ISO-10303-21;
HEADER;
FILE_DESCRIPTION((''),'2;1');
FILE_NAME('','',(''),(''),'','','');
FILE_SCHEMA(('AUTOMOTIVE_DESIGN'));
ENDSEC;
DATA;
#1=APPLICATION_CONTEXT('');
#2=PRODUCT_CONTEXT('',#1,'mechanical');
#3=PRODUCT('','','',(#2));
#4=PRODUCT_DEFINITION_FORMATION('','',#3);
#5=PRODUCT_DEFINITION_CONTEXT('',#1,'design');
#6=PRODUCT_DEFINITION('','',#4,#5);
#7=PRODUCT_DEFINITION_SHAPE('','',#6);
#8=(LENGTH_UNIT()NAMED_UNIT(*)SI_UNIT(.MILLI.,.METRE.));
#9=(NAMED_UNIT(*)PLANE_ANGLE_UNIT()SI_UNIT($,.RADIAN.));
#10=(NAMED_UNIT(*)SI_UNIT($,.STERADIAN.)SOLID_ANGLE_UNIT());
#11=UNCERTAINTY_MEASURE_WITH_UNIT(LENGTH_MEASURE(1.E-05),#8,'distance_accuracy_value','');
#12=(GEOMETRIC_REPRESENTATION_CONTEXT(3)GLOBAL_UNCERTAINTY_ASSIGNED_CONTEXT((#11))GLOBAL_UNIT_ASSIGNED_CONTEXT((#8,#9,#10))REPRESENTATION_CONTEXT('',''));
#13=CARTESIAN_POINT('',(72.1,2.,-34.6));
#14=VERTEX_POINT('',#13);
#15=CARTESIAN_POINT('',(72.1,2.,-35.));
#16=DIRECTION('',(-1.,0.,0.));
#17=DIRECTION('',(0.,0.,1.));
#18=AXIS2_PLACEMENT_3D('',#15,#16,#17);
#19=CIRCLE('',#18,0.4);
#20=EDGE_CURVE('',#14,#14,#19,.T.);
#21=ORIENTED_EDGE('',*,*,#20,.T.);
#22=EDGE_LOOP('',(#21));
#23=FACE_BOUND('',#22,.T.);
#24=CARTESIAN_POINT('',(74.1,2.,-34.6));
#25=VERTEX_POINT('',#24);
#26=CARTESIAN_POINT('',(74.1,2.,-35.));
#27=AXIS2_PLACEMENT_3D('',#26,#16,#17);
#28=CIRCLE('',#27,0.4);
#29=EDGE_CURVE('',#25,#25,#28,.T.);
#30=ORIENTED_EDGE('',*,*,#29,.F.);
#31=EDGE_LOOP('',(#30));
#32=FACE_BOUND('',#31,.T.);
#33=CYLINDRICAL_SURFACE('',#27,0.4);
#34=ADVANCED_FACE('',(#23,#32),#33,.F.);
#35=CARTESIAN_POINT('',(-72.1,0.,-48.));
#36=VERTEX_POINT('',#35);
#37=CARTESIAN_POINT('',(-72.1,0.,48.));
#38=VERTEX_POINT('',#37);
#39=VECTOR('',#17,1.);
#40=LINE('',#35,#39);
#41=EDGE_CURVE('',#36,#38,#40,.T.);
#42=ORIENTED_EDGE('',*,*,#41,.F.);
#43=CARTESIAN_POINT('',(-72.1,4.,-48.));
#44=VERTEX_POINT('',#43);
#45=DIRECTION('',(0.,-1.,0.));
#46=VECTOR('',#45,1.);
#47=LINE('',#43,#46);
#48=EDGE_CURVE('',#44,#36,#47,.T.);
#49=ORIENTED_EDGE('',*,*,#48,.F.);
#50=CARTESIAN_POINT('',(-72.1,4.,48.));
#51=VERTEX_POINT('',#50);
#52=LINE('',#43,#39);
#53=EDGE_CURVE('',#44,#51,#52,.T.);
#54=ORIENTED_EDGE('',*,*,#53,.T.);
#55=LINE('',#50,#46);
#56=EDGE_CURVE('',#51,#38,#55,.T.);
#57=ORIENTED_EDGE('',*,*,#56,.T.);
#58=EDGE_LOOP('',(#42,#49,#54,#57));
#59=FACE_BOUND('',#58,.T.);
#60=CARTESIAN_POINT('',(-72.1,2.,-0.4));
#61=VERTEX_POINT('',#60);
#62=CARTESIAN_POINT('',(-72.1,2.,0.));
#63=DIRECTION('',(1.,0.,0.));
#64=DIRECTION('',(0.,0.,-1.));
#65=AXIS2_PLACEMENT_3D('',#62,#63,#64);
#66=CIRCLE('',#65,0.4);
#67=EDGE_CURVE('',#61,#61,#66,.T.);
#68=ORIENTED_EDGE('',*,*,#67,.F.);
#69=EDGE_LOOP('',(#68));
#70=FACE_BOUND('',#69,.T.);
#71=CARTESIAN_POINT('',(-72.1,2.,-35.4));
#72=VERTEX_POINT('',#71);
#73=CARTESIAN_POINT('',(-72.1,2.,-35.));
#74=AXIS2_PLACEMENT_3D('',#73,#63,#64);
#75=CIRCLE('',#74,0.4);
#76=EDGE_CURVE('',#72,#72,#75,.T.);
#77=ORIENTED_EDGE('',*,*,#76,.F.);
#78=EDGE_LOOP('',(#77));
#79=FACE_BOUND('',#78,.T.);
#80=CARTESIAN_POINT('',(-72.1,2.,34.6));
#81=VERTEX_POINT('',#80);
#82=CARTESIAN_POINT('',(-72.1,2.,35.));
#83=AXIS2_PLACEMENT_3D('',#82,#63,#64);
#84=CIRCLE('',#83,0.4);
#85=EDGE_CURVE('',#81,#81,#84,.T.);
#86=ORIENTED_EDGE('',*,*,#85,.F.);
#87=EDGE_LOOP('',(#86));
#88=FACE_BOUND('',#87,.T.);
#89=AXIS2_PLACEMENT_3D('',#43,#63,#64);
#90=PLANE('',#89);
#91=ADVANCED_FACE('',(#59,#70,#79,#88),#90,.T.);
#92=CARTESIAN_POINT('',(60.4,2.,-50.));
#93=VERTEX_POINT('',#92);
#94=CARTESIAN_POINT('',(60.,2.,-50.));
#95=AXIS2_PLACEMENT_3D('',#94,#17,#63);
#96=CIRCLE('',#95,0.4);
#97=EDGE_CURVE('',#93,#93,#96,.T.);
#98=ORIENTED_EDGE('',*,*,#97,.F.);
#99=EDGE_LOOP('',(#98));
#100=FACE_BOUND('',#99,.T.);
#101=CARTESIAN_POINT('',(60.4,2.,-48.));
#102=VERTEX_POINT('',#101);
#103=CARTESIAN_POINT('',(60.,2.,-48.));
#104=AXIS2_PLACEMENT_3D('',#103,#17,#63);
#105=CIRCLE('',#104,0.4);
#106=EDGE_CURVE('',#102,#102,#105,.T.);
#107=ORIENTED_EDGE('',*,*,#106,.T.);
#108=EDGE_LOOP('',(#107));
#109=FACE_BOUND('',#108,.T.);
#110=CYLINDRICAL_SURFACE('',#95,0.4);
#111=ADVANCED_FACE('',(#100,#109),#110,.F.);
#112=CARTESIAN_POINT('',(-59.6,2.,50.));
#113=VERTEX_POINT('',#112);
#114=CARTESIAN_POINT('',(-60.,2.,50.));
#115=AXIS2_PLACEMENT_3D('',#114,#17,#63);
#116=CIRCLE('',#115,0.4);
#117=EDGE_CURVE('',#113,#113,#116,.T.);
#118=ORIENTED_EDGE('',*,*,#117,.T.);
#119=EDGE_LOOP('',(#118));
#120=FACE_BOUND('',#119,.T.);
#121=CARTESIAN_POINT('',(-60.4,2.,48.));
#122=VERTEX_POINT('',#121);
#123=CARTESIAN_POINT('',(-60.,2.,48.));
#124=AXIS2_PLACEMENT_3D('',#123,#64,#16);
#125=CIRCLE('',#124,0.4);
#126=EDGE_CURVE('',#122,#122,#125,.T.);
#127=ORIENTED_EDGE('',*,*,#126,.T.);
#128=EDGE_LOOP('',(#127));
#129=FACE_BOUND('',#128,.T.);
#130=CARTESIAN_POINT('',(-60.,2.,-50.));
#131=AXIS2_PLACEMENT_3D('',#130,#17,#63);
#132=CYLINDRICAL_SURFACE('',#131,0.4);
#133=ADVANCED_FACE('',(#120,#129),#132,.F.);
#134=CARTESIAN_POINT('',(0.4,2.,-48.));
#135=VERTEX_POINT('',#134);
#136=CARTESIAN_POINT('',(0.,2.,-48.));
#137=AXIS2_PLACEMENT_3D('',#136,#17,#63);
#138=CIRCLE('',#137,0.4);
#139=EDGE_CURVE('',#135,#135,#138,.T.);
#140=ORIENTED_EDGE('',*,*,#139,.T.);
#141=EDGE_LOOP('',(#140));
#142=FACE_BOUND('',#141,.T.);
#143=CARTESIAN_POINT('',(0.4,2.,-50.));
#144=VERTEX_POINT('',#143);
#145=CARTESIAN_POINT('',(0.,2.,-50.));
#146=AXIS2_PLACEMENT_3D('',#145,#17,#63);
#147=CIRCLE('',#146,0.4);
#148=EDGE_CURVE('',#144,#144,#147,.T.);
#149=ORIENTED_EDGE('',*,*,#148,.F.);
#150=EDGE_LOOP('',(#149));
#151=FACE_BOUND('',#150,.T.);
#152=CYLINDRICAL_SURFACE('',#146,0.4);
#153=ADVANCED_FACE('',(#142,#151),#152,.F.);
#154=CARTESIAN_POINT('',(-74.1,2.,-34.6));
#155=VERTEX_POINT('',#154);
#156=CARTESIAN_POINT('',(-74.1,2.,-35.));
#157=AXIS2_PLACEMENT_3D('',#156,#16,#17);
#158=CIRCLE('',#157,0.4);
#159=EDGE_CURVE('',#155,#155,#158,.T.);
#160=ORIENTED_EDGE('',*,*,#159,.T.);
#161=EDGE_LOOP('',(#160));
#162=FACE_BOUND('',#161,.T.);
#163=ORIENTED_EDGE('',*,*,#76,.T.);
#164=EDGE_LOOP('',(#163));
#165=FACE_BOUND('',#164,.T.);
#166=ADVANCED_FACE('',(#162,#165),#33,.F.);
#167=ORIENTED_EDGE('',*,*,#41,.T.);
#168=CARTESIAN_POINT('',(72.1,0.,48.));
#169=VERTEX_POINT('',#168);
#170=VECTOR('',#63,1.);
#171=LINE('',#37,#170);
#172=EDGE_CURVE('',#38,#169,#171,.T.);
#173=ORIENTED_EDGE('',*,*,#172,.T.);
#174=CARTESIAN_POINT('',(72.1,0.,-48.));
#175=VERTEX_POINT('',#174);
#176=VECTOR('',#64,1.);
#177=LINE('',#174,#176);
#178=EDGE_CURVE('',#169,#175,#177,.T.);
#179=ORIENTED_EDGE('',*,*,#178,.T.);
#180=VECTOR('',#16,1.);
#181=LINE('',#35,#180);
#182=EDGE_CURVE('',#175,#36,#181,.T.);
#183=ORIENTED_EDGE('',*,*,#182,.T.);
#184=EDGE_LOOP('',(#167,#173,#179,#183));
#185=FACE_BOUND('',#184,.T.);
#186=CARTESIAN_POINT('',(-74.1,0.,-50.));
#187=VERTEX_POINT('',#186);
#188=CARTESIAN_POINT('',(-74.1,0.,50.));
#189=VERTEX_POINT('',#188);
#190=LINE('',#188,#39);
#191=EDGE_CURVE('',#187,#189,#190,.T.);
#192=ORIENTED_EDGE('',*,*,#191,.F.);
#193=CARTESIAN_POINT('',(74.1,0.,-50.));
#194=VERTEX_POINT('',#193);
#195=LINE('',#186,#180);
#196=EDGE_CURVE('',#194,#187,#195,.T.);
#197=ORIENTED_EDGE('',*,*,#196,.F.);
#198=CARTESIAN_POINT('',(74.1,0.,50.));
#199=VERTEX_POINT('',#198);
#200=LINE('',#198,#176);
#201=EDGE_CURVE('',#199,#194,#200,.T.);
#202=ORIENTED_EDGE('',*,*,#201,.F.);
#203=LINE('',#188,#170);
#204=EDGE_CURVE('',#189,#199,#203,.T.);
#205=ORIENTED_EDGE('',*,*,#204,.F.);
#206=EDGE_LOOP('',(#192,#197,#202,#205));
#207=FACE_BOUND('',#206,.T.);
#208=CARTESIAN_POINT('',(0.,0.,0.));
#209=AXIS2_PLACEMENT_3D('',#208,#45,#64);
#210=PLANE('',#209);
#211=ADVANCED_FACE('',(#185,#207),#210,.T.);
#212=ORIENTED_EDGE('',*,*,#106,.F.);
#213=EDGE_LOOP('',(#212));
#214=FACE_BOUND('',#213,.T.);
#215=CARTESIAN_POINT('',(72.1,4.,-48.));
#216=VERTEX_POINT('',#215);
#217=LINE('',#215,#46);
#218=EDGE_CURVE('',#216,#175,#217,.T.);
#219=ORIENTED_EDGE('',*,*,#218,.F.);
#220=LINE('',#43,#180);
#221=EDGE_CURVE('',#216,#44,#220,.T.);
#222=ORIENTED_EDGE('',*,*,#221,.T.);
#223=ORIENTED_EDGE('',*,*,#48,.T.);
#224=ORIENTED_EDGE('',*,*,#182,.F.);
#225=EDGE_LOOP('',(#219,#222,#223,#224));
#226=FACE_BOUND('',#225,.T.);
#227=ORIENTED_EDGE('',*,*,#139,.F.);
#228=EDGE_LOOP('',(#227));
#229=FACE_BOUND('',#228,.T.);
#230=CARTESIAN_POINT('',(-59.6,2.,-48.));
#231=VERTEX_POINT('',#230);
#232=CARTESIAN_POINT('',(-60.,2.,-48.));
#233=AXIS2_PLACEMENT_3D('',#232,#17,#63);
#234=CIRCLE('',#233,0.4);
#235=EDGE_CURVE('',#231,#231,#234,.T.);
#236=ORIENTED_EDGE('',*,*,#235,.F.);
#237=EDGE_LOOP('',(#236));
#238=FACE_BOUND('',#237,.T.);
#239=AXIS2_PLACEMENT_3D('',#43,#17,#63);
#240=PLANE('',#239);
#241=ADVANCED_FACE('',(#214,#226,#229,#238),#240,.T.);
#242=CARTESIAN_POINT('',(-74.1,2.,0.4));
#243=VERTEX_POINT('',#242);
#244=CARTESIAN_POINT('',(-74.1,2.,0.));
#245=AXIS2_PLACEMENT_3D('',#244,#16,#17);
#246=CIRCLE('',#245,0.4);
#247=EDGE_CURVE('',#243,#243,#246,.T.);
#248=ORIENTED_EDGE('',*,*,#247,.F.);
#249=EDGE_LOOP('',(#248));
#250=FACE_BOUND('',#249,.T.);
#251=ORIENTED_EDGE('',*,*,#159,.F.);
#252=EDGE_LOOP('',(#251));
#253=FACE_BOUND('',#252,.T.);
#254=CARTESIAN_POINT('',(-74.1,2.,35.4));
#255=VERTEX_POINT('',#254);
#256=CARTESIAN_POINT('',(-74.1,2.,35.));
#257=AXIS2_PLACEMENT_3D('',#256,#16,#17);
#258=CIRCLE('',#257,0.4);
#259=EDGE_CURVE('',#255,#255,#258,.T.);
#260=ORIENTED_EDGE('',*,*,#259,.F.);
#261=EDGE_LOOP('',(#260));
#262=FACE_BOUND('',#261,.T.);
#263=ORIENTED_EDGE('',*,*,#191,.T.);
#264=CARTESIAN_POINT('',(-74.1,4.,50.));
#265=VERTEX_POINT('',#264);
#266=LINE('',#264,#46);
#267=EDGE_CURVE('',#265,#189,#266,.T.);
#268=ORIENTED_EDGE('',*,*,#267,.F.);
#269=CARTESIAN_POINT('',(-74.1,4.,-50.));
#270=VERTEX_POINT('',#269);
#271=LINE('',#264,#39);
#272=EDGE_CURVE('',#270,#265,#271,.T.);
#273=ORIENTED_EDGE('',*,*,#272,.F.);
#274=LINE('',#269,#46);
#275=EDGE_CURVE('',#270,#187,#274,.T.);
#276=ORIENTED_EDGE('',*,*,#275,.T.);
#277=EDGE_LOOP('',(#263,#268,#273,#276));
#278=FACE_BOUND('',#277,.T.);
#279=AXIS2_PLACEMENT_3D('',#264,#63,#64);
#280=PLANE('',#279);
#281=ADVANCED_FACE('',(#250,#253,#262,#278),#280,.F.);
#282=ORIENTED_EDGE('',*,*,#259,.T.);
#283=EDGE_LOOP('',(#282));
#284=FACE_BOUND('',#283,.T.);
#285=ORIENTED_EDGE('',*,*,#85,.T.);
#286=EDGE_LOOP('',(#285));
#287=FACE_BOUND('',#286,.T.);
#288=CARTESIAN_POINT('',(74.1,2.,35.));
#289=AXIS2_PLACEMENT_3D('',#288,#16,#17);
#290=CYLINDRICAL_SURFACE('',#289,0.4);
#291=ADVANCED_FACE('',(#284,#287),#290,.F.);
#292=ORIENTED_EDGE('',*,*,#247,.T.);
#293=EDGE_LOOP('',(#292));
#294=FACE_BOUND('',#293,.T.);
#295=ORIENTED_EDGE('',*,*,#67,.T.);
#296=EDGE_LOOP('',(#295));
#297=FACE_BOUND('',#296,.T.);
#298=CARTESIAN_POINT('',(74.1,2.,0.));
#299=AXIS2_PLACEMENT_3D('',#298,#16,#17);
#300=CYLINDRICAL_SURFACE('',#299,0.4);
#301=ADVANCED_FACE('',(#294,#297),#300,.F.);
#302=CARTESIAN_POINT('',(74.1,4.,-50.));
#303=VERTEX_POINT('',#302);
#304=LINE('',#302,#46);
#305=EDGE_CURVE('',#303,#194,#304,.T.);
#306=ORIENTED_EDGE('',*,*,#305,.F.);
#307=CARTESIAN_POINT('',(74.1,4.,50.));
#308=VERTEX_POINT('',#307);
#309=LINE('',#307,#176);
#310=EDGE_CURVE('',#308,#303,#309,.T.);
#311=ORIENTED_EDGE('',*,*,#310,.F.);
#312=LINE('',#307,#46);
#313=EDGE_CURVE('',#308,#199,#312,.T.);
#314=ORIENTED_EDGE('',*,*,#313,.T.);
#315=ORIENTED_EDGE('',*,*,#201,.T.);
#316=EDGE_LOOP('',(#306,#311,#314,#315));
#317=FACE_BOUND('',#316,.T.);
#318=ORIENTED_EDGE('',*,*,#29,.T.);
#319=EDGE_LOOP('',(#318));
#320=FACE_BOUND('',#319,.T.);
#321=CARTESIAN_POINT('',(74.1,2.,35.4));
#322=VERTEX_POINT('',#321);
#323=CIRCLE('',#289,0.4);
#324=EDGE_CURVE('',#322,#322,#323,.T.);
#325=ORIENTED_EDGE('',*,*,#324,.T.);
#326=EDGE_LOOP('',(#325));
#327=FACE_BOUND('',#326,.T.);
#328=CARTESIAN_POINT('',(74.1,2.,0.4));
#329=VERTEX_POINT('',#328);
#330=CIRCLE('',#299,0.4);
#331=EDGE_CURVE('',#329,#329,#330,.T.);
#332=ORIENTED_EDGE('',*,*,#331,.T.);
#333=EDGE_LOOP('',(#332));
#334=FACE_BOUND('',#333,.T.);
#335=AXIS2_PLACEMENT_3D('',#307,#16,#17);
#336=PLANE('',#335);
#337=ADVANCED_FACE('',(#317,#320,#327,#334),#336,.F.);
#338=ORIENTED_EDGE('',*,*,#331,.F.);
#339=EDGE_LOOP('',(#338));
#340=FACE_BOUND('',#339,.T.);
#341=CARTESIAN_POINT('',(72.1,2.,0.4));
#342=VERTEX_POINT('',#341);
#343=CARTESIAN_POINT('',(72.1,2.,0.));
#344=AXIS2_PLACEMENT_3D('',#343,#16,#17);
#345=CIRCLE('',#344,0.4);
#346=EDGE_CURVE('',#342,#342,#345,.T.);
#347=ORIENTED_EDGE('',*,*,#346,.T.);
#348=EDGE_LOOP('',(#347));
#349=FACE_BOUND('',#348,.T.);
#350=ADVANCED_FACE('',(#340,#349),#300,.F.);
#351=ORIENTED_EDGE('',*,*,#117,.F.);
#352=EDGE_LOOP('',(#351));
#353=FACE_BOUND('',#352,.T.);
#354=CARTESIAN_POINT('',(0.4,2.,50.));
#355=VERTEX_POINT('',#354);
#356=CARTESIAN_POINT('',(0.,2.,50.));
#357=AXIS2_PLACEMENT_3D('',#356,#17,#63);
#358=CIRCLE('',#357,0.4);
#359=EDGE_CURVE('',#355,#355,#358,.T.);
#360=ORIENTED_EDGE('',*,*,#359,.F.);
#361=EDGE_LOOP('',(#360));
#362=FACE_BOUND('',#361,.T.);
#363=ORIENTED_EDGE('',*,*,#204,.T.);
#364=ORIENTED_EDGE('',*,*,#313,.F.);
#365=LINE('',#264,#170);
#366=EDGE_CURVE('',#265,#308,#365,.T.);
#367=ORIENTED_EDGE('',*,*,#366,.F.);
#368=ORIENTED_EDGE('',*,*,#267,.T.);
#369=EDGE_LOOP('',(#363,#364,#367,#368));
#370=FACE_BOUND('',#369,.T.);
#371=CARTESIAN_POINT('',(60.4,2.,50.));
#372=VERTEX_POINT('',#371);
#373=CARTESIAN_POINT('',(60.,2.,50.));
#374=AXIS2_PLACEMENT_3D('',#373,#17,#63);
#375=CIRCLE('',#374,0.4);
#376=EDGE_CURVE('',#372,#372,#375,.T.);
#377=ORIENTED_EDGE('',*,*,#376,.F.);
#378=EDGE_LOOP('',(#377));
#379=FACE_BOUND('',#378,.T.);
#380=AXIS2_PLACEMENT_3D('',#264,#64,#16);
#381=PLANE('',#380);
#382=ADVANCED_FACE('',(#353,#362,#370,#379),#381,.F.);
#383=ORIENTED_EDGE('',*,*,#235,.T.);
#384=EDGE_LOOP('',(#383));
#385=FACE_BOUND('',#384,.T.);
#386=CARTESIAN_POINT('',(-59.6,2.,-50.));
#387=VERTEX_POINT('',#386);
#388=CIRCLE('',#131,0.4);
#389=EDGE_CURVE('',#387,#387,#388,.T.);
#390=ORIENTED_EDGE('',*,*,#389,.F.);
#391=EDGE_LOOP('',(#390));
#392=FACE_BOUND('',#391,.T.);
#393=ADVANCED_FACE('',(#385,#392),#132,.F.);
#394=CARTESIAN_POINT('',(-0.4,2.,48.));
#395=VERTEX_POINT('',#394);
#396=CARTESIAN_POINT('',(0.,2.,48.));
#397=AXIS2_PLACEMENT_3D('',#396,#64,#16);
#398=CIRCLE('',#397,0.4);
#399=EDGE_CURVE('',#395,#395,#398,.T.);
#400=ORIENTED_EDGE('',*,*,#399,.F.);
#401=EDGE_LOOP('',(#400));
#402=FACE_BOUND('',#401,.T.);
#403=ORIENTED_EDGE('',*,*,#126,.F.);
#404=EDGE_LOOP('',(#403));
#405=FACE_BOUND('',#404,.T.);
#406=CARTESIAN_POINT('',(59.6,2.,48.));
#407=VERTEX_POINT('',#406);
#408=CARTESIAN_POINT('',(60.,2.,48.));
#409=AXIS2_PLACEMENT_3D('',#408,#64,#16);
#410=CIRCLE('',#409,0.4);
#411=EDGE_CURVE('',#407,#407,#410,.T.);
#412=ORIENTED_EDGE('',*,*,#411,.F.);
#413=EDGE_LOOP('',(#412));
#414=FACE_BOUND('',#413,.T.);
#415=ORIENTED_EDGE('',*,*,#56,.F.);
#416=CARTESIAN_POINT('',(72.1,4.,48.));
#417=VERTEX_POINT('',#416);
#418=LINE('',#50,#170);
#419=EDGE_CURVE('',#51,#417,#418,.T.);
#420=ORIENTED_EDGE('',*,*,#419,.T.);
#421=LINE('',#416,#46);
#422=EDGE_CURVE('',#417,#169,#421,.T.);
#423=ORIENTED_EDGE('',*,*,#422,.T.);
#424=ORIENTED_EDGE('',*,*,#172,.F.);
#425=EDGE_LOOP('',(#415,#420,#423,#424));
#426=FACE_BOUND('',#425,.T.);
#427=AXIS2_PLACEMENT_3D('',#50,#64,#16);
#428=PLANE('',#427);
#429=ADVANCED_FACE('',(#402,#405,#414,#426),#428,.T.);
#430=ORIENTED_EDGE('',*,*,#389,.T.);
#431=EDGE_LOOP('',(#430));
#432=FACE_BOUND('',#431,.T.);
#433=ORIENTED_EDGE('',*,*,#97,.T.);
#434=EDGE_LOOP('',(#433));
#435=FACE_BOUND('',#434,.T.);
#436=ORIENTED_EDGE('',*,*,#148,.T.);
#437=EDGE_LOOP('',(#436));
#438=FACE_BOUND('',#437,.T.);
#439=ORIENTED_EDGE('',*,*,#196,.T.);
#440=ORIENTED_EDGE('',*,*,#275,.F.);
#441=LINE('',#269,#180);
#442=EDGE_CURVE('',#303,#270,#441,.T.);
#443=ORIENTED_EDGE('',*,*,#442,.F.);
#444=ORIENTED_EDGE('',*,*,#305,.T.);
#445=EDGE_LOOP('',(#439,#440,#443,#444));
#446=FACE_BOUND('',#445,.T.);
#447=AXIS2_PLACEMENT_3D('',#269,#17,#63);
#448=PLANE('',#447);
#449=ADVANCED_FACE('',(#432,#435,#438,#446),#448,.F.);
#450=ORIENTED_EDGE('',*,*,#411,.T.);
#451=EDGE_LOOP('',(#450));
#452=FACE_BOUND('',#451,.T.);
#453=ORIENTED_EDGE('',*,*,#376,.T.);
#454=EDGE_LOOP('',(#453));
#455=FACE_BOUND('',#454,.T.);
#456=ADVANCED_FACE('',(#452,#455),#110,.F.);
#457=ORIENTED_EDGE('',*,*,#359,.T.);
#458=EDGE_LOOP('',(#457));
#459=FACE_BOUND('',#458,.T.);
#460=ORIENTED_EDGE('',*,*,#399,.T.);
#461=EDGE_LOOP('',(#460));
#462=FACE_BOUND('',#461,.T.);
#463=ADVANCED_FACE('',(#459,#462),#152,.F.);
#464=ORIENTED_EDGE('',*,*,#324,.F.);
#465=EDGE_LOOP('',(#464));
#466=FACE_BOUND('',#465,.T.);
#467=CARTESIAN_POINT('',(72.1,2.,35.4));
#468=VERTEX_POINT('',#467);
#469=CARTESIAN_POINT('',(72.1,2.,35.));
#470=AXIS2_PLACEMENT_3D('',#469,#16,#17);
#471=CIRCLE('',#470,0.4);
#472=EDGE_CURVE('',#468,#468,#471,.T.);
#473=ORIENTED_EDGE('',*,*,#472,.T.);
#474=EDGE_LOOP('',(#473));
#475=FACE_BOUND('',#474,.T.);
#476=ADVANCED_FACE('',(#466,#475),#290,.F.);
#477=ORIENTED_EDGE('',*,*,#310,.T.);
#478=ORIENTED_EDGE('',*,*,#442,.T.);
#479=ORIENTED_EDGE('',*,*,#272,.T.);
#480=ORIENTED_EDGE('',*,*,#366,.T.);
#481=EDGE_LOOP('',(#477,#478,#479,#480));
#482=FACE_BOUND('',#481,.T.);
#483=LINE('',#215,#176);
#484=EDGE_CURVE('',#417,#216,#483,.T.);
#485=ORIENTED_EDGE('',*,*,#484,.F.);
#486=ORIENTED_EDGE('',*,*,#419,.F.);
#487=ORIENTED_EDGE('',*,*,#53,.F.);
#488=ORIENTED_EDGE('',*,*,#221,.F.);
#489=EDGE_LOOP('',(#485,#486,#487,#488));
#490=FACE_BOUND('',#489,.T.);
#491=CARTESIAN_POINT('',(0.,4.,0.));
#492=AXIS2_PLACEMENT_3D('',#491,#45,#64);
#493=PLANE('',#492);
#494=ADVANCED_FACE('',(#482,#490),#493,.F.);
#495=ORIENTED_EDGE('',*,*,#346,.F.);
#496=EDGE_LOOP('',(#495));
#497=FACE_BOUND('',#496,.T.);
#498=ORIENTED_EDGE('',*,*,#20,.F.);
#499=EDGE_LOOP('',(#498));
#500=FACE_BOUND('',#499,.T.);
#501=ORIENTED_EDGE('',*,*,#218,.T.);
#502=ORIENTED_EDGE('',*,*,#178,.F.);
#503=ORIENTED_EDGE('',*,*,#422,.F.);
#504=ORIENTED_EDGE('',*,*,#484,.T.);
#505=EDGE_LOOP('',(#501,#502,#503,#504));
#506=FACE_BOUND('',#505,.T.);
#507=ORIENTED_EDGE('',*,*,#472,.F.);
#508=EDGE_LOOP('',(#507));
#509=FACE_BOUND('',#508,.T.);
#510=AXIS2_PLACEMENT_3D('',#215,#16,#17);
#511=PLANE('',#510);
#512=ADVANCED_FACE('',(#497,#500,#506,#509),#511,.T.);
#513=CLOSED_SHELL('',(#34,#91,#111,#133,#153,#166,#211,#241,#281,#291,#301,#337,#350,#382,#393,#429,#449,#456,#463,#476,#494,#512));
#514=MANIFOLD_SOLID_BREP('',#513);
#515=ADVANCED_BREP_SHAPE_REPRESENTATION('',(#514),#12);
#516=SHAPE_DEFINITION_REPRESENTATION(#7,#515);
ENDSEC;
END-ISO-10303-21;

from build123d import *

# Parameters (mm, degrees)
SKETCH_1_W          = 148.2
SKETCH_1_H          = 100
SKETCH_1_W_2        = 144.2
SKETCH_1_H_2        = 96
EXTRUDE_1_DEPTH     = 4
SKETCH_2_R          = 0.4
CUT_EXTRUDE_1_DEPTH = 125.526342595
SKETCH_3_R          = 0.4
CUT_EXTRUDE_2_DEPTH = 157.458428984


with BuildPart() as part:
    # 草图1 → 凸台-拉伸1 (new body)
    with BuildSketch(Plane(origin=(0, 0, 0), x_dir=(1, 0, 0), z_dir=(0, 1, 0))):
        Rectangle(SKETCH_1_W, SKETCH_1_H)
        Rectangle(SKETCH_1_W_2, SKETCH_1_H_2, mode=Mode.SUBTRACT)
    extrude(amount=EXTRUDE_1_DEPTH)

    # 草图2 → 切除-拉伸1 (cut, through all)
    with BuildSketch(Plane.XY.offset(50)):
        with Locations((0, 2)):
            Circle(SKETCH_2_R)
        with Locations((-60, 2)):
            Circle(SKETCH_2_R)
        with Locations((60, 2)):
            Circle(SKETCH_2_R)
    extrude(amount=-CUT_EXTRUDE_1_DEPTH, mode=Mode.SUBTRACT)

    # 草图3 → 切除-拉伸2 (cut, through all)
    with BuildSketch(Plane.ZY.offset(74.1)):
        with Locations((0, 2)):
            Circle(SKETCH_3_R)
        with Locations((35, 2)):
            Circle(SKETCH_3_R)
        with Locations((-35, 2)):
            Circle(SKETCH_3_R)
    extrude(amount=-CUT_EXTRUDE_2_DEPTH, mode=Mode.SUBTRACT)


solid = part.part
